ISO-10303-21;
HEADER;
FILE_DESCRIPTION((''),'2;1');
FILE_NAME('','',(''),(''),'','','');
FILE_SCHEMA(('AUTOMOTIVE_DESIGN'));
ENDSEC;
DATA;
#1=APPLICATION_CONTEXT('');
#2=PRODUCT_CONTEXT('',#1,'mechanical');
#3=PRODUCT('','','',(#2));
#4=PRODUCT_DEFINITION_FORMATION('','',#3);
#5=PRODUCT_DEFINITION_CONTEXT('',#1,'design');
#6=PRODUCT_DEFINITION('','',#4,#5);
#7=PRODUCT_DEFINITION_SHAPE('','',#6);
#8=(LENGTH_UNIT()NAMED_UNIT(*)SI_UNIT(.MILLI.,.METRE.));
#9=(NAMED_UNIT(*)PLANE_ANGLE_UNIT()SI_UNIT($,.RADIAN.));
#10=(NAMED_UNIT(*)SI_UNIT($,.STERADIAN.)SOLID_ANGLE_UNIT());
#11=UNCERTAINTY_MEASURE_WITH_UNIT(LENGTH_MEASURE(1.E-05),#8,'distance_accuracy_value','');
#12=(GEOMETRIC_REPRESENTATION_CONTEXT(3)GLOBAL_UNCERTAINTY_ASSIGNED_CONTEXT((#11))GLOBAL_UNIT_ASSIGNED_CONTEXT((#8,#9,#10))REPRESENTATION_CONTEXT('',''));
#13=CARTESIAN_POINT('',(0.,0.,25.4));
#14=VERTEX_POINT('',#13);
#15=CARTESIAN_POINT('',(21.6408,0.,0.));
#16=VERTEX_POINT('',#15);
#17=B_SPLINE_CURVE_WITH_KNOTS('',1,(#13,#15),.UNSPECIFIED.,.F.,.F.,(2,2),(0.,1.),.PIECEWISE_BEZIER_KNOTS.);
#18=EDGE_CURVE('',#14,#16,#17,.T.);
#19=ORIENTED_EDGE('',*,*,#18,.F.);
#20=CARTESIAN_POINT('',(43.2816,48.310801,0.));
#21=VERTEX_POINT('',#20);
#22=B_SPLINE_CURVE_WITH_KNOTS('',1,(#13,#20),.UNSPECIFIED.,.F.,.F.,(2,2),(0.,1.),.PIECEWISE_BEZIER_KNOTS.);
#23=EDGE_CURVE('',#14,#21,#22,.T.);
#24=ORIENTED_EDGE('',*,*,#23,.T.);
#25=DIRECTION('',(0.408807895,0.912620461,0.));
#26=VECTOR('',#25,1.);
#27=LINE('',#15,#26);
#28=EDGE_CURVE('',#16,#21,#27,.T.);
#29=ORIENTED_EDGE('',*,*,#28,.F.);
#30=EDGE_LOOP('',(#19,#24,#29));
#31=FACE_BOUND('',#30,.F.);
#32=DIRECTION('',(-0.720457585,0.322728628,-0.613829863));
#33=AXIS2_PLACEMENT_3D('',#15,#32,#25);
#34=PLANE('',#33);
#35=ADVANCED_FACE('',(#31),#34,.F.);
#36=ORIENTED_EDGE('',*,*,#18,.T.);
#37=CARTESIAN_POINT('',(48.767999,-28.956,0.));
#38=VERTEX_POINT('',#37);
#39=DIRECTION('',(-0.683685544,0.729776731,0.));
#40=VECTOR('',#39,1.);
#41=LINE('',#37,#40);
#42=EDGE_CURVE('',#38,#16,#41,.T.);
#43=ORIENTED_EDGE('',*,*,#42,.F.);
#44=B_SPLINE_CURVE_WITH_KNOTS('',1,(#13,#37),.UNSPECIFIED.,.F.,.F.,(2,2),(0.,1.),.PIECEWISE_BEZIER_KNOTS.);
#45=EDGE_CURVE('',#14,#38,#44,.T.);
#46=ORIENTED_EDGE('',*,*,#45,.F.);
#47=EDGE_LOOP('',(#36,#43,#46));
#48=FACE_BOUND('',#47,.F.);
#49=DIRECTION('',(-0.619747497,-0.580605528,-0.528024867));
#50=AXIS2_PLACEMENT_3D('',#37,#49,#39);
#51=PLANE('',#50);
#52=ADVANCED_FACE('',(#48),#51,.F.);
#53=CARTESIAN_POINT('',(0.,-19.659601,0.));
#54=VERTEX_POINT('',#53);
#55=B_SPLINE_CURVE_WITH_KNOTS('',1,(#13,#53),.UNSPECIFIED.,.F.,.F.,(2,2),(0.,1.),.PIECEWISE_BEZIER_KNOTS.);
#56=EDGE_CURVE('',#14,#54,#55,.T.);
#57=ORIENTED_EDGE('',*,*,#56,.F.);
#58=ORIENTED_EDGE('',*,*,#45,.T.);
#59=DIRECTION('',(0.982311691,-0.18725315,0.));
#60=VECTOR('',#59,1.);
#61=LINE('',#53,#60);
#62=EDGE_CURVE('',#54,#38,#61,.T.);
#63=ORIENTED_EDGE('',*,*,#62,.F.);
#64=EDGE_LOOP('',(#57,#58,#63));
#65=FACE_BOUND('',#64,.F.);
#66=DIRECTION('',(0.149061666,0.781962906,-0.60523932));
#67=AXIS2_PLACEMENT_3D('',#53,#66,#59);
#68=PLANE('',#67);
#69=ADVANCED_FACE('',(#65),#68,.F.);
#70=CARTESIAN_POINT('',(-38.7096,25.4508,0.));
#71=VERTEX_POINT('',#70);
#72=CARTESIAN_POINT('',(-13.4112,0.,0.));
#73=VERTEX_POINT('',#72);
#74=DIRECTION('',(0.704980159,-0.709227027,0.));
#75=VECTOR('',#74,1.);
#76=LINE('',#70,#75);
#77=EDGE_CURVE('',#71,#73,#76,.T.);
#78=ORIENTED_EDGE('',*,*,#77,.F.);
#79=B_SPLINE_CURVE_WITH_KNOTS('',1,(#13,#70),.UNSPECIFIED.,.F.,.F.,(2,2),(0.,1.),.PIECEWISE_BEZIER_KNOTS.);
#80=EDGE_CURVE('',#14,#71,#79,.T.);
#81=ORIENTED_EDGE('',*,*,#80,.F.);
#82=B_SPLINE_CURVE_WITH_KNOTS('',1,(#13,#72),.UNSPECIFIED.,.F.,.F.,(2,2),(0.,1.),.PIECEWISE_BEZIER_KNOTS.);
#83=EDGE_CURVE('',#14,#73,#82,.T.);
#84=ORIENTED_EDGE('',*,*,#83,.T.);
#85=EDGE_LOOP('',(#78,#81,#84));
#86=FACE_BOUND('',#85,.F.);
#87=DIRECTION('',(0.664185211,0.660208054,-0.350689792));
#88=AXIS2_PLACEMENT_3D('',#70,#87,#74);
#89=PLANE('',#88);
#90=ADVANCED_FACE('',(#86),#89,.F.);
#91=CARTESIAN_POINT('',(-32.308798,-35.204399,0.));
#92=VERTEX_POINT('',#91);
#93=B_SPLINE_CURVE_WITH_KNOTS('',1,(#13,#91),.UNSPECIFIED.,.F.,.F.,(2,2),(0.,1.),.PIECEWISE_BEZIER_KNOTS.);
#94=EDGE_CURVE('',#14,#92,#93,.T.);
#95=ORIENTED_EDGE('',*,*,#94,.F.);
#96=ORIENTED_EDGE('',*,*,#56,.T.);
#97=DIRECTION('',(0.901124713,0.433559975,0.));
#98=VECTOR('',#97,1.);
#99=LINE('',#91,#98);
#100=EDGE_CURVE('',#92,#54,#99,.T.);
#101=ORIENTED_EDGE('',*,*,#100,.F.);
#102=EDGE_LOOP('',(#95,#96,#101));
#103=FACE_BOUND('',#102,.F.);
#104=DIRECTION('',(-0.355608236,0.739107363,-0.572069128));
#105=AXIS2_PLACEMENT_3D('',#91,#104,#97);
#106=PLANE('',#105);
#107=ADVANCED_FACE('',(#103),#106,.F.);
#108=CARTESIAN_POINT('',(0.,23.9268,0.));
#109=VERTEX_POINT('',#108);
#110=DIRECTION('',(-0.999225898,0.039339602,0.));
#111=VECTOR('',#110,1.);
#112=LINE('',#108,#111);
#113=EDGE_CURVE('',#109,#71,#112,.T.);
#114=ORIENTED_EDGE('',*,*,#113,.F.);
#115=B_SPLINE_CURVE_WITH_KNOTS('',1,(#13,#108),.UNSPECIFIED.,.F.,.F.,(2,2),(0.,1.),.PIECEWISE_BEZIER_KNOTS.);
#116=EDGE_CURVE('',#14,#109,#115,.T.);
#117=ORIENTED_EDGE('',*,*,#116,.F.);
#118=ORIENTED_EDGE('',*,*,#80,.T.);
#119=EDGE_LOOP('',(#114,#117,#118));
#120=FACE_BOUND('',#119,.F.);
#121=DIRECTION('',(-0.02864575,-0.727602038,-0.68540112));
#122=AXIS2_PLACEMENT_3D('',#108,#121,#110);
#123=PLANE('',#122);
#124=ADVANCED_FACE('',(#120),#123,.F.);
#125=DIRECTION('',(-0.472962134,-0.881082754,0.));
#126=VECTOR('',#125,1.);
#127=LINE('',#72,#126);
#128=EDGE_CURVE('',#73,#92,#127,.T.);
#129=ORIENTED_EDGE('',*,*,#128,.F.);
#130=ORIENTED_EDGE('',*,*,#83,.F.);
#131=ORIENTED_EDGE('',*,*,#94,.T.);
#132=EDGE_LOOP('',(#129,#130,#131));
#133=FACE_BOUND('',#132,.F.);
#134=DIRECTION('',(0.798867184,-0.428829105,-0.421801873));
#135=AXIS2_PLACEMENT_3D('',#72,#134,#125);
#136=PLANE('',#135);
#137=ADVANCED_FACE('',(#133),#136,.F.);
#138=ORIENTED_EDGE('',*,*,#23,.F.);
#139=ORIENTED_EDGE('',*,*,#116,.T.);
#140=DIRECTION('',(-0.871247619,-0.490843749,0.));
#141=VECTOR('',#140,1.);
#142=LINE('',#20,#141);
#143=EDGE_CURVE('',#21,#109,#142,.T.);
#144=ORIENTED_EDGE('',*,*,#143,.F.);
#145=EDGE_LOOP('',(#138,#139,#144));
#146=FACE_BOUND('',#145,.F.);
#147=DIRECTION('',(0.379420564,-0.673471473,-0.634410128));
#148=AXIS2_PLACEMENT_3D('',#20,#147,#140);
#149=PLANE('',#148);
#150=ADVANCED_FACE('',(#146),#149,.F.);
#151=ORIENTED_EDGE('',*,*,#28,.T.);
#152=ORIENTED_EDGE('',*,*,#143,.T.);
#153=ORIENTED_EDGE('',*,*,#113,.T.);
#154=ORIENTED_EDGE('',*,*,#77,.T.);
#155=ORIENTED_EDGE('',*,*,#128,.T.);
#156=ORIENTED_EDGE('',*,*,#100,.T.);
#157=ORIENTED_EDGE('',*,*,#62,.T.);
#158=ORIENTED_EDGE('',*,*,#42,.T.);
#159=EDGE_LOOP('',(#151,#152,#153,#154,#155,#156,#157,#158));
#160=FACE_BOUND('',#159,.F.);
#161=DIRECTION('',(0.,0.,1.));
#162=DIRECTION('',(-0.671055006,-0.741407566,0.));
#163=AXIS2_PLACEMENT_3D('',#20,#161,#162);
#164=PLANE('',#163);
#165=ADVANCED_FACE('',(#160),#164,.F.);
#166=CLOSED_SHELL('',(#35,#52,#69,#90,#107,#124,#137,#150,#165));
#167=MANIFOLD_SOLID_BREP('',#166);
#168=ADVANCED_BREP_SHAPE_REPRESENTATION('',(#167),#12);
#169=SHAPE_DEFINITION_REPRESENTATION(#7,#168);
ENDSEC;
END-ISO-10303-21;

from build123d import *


with BuildPart() as f3:
    # F0 (on Top) → F3 section 0
    with BuildSketch(Plane.XY, mode=Mode.PRIVATE) as f3_s0:
        Polygon((43.2816, 48.310801), (0, 23.9268), (-38.7096, 25.4508), (-13.4112, 0), (-32.308798, -35.204399), (0, -19.659601), (48.767999, -28.956), (21.6408, 0), align=None)
    loft([Vertex(0, 0, 25.4), f3_s0.sketch])


solid = f3.part
